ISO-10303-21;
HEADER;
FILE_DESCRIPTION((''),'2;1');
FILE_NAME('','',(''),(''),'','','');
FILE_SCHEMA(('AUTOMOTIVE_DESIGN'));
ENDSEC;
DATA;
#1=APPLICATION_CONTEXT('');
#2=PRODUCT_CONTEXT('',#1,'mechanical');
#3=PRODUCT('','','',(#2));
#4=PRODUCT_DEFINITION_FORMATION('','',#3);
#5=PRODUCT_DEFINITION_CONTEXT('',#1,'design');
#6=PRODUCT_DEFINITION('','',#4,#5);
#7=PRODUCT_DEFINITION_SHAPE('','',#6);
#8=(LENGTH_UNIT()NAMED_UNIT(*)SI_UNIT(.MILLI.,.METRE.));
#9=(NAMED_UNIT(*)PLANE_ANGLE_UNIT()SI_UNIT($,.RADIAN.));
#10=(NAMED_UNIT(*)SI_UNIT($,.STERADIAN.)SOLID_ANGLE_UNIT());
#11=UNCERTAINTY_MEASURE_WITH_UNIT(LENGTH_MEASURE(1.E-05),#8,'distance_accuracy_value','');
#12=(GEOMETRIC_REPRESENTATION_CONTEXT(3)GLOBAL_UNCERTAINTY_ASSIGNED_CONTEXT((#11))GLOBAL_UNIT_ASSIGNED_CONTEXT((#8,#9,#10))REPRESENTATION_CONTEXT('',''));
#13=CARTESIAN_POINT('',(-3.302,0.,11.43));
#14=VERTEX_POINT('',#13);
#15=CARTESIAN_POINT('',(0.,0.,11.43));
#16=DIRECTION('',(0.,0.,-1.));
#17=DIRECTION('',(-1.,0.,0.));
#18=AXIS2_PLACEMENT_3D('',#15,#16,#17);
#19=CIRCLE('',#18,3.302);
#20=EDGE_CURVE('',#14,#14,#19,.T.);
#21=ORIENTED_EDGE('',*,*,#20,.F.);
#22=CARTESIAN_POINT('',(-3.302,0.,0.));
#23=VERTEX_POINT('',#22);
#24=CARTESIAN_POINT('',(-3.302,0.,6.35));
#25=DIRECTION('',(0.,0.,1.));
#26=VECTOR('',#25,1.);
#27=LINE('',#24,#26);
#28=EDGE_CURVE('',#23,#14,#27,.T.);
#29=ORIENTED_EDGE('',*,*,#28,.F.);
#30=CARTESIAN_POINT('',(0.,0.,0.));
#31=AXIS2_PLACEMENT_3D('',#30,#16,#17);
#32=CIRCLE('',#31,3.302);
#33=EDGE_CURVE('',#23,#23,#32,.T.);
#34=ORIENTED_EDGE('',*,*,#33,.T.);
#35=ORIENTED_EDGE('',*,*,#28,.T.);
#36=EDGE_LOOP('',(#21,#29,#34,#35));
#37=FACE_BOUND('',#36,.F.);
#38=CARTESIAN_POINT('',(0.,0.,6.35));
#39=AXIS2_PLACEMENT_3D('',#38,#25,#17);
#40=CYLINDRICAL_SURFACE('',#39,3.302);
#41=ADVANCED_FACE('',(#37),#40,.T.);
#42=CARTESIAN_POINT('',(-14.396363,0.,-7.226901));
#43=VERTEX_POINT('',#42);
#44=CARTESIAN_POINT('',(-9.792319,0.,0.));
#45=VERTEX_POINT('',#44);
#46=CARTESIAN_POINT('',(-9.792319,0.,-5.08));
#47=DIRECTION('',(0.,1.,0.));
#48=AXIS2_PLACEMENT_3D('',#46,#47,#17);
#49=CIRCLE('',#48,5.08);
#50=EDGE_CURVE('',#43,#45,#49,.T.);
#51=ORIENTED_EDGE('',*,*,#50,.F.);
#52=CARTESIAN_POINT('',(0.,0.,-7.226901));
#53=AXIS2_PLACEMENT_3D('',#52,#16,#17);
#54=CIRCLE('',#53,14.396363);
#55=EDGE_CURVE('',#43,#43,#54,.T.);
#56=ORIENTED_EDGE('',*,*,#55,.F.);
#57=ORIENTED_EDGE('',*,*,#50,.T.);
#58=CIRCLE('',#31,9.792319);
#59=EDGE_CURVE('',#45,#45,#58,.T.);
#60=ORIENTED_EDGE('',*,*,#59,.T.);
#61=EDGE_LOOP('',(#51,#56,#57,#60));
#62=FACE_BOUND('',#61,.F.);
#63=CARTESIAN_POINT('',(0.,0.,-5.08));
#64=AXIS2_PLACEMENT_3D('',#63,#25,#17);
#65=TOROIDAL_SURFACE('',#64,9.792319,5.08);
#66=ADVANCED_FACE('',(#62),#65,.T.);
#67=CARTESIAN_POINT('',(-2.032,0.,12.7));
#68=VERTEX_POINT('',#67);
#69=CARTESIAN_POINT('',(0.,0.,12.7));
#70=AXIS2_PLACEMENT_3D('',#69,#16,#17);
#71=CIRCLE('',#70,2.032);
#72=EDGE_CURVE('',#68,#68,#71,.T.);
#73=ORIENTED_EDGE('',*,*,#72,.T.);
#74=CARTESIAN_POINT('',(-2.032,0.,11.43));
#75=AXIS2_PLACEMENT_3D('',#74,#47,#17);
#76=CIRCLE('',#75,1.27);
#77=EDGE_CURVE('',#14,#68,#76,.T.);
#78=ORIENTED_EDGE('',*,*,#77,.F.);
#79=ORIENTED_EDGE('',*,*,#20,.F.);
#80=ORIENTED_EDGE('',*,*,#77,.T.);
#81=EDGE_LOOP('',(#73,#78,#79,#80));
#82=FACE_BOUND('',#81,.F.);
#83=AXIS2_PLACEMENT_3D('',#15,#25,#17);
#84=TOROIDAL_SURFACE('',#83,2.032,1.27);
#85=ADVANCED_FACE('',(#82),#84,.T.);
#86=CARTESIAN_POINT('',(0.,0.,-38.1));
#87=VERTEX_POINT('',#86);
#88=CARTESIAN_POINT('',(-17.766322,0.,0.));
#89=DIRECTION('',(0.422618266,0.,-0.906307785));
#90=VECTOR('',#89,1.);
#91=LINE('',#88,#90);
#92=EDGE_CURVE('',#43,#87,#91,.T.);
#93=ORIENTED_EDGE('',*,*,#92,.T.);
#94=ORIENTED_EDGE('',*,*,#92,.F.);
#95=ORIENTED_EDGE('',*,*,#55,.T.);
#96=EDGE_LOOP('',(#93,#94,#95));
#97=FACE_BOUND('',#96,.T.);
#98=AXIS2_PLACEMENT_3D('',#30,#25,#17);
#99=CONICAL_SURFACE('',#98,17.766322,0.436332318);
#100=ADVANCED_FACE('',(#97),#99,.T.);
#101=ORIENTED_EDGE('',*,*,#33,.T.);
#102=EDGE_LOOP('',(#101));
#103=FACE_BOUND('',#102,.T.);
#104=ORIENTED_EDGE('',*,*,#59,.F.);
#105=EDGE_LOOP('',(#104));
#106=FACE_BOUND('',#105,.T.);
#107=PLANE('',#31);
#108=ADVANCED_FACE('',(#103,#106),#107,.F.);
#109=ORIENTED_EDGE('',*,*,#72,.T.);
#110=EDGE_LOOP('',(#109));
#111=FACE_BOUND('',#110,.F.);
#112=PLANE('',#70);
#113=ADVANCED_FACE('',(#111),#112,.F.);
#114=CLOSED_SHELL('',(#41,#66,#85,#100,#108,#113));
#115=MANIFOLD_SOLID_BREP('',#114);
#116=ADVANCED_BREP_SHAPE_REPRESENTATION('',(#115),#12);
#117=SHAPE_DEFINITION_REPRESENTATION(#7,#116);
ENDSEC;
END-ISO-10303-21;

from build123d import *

# Parameters (mm, degrees)
F0_W = 3.302
F0_H = 12.7
F2_R = 5.08
F3_R = 1.27


with BuildPart() as f1:
    # F0 (on Front) → F1 (revolve)
    with BuildSketch(Plane.XZ):
        Polygon((-3.302, 0), (-17.766322, 0), (0, -38.1), (0, 0), align=None)
        with Locations((-1.651, 6.35)):
            Rectangle(F0_W, F0_H)
    revolve(axis=Axis((0, 0, -19.05), (0, 0, -1)))

    # F2
    f2_edges = [f1.edges().sort_by_distance(p)[0] for p in [
        (17.766322, 0, 0),
    ]]
    fillet(f2_edges, radius=F2_R)

    # F3
    f3_edges = [f1.edges().sort_by_distance(p)[0] for p in [
        (3.302, 0, 12.7),
    ]]
    fillet(f3_edges, radius=F3_R)


solid = f1.part
